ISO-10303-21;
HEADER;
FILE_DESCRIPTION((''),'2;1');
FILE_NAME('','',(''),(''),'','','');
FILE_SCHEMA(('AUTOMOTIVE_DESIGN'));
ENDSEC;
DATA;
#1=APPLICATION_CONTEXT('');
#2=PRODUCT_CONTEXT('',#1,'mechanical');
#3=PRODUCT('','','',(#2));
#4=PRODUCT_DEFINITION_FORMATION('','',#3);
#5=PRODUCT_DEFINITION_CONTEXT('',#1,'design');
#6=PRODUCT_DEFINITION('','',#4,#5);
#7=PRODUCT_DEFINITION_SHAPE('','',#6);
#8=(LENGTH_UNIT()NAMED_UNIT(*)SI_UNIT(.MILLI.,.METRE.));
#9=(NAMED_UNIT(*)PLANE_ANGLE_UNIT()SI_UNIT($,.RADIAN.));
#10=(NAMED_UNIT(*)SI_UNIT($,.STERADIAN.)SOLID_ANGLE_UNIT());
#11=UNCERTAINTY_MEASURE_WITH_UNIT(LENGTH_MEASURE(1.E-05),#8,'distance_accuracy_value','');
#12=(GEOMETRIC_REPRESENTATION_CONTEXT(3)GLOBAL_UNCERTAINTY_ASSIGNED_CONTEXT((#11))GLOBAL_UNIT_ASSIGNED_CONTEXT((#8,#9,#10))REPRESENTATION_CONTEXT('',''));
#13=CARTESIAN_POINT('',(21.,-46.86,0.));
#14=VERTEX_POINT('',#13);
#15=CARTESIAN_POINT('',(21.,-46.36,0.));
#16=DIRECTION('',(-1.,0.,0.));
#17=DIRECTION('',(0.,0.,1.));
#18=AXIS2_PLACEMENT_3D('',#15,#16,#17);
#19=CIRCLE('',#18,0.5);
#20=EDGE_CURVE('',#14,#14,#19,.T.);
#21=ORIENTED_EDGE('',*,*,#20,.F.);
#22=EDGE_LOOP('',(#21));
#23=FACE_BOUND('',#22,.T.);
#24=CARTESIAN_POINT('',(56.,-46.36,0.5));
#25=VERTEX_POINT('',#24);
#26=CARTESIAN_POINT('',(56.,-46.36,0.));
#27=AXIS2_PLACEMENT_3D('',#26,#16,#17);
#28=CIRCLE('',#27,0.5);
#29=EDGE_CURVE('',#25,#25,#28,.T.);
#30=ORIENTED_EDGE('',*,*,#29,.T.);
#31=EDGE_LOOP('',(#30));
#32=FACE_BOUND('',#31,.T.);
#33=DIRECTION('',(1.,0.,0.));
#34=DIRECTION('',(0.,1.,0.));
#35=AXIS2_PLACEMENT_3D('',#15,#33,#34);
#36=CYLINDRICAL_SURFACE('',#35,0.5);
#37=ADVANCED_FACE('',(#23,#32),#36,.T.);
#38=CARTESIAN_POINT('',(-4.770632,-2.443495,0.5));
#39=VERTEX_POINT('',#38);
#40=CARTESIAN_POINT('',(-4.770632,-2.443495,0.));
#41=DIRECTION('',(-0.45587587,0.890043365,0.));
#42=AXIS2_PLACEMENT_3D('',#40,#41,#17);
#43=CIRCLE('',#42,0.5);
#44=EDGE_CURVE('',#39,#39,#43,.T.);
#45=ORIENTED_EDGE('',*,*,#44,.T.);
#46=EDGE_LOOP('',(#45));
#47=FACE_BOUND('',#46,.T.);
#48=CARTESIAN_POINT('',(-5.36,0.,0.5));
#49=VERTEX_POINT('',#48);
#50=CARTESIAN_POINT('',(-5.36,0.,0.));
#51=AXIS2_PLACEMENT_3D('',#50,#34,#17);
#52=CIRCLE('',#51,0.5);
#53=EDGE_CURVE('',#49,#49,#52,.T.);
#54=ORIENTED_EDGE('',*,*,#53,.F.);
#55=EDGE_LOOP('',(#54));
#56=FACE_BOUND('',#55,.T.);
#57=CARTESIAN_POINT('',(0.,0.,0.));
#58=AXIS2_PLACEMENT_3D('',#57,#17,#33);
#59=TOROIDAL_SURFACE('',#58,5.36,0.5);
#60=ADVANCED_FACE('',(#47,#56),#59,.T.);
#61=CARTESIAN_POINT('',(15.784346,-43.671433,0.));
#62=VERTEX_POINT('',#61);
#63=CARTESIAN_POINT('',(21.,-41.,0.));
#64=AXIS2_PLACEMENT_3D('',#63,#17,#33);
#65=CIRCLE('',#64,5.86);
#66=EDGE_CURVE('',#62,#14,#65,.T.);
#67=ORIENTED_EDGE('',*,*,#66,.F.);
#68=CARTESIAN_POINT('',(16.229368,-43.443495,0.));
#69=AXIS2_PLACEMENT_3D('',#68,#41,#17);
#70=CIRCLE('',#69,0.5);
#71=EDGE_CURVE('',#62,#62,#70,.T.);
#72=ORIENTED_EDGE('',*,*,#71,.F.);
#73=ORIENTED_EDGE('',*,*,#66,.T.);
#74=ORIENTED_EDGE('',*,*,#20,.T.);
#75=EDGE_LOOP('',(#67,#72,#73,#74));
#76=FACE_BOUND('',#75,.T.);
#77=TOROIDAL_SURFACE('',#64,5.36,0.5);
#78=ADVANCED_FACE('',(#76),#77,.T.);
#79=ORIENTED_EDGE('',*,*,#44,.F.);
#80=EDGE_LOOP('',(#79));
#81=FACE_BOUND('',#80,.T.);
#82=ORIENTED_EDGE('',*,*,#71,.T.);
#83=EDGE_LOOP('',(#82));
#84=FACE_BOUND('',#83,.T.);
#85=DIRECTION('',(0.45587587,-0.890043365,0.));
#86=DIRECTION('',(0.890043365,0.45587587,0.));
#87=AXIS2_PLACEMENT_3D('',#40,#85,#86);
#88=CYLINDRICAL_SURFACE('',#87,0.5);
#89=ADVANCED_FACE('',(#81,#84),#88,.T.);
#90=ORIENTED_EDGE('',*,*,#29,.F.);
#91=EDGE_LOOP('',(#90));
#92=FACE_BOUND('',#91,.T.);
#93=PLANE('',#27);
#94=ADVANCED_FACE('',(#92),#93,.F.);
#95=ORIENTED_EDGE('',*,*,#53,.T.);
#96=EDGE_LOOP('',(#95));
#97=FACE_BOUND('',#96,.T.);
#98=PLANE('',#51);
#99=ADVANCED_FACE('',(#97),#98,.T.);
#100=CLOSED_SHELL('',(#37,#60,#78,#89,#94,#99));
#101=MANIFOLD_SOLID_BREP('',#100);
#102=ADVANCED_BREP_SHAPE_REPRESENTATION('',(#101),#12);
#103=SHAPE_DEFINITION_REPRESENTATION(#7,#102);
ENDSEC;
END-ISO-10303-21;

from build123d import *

# Parameters (mm, degrees)
SKETCH6_R = 0.5


with BuildPart() as part:
    # Sweep1: sweep along a path in Sketch1
    with BuildLine(Plane.XY) as sweep1_path:
        Line((56, -46.36), (21, -46.36))
        ThreePointArc((21, -46.36), (18.204247095, -45.573113348), (16.229367564, -43.443494662))
        Line((16.229367564, -43.443494662), (-4.770632436, -2.443494662))
        ThreePointArc((-4.770632436, -2.443494662), (-5.210575297, -1.256783622), (-5.36, 0))
    # Sketch6 → Sweep1 (sweep)
    with BuildSketch(Plane(origin=(0, 0, 0), x_dir=(1, 0, 0), z_dir=(0, 1, 0))):
        with Locations((-5.36, 0)):
            Circle(SKETCH6_R)
    sweep(path=sweep1_path.line)


solid = part.part
